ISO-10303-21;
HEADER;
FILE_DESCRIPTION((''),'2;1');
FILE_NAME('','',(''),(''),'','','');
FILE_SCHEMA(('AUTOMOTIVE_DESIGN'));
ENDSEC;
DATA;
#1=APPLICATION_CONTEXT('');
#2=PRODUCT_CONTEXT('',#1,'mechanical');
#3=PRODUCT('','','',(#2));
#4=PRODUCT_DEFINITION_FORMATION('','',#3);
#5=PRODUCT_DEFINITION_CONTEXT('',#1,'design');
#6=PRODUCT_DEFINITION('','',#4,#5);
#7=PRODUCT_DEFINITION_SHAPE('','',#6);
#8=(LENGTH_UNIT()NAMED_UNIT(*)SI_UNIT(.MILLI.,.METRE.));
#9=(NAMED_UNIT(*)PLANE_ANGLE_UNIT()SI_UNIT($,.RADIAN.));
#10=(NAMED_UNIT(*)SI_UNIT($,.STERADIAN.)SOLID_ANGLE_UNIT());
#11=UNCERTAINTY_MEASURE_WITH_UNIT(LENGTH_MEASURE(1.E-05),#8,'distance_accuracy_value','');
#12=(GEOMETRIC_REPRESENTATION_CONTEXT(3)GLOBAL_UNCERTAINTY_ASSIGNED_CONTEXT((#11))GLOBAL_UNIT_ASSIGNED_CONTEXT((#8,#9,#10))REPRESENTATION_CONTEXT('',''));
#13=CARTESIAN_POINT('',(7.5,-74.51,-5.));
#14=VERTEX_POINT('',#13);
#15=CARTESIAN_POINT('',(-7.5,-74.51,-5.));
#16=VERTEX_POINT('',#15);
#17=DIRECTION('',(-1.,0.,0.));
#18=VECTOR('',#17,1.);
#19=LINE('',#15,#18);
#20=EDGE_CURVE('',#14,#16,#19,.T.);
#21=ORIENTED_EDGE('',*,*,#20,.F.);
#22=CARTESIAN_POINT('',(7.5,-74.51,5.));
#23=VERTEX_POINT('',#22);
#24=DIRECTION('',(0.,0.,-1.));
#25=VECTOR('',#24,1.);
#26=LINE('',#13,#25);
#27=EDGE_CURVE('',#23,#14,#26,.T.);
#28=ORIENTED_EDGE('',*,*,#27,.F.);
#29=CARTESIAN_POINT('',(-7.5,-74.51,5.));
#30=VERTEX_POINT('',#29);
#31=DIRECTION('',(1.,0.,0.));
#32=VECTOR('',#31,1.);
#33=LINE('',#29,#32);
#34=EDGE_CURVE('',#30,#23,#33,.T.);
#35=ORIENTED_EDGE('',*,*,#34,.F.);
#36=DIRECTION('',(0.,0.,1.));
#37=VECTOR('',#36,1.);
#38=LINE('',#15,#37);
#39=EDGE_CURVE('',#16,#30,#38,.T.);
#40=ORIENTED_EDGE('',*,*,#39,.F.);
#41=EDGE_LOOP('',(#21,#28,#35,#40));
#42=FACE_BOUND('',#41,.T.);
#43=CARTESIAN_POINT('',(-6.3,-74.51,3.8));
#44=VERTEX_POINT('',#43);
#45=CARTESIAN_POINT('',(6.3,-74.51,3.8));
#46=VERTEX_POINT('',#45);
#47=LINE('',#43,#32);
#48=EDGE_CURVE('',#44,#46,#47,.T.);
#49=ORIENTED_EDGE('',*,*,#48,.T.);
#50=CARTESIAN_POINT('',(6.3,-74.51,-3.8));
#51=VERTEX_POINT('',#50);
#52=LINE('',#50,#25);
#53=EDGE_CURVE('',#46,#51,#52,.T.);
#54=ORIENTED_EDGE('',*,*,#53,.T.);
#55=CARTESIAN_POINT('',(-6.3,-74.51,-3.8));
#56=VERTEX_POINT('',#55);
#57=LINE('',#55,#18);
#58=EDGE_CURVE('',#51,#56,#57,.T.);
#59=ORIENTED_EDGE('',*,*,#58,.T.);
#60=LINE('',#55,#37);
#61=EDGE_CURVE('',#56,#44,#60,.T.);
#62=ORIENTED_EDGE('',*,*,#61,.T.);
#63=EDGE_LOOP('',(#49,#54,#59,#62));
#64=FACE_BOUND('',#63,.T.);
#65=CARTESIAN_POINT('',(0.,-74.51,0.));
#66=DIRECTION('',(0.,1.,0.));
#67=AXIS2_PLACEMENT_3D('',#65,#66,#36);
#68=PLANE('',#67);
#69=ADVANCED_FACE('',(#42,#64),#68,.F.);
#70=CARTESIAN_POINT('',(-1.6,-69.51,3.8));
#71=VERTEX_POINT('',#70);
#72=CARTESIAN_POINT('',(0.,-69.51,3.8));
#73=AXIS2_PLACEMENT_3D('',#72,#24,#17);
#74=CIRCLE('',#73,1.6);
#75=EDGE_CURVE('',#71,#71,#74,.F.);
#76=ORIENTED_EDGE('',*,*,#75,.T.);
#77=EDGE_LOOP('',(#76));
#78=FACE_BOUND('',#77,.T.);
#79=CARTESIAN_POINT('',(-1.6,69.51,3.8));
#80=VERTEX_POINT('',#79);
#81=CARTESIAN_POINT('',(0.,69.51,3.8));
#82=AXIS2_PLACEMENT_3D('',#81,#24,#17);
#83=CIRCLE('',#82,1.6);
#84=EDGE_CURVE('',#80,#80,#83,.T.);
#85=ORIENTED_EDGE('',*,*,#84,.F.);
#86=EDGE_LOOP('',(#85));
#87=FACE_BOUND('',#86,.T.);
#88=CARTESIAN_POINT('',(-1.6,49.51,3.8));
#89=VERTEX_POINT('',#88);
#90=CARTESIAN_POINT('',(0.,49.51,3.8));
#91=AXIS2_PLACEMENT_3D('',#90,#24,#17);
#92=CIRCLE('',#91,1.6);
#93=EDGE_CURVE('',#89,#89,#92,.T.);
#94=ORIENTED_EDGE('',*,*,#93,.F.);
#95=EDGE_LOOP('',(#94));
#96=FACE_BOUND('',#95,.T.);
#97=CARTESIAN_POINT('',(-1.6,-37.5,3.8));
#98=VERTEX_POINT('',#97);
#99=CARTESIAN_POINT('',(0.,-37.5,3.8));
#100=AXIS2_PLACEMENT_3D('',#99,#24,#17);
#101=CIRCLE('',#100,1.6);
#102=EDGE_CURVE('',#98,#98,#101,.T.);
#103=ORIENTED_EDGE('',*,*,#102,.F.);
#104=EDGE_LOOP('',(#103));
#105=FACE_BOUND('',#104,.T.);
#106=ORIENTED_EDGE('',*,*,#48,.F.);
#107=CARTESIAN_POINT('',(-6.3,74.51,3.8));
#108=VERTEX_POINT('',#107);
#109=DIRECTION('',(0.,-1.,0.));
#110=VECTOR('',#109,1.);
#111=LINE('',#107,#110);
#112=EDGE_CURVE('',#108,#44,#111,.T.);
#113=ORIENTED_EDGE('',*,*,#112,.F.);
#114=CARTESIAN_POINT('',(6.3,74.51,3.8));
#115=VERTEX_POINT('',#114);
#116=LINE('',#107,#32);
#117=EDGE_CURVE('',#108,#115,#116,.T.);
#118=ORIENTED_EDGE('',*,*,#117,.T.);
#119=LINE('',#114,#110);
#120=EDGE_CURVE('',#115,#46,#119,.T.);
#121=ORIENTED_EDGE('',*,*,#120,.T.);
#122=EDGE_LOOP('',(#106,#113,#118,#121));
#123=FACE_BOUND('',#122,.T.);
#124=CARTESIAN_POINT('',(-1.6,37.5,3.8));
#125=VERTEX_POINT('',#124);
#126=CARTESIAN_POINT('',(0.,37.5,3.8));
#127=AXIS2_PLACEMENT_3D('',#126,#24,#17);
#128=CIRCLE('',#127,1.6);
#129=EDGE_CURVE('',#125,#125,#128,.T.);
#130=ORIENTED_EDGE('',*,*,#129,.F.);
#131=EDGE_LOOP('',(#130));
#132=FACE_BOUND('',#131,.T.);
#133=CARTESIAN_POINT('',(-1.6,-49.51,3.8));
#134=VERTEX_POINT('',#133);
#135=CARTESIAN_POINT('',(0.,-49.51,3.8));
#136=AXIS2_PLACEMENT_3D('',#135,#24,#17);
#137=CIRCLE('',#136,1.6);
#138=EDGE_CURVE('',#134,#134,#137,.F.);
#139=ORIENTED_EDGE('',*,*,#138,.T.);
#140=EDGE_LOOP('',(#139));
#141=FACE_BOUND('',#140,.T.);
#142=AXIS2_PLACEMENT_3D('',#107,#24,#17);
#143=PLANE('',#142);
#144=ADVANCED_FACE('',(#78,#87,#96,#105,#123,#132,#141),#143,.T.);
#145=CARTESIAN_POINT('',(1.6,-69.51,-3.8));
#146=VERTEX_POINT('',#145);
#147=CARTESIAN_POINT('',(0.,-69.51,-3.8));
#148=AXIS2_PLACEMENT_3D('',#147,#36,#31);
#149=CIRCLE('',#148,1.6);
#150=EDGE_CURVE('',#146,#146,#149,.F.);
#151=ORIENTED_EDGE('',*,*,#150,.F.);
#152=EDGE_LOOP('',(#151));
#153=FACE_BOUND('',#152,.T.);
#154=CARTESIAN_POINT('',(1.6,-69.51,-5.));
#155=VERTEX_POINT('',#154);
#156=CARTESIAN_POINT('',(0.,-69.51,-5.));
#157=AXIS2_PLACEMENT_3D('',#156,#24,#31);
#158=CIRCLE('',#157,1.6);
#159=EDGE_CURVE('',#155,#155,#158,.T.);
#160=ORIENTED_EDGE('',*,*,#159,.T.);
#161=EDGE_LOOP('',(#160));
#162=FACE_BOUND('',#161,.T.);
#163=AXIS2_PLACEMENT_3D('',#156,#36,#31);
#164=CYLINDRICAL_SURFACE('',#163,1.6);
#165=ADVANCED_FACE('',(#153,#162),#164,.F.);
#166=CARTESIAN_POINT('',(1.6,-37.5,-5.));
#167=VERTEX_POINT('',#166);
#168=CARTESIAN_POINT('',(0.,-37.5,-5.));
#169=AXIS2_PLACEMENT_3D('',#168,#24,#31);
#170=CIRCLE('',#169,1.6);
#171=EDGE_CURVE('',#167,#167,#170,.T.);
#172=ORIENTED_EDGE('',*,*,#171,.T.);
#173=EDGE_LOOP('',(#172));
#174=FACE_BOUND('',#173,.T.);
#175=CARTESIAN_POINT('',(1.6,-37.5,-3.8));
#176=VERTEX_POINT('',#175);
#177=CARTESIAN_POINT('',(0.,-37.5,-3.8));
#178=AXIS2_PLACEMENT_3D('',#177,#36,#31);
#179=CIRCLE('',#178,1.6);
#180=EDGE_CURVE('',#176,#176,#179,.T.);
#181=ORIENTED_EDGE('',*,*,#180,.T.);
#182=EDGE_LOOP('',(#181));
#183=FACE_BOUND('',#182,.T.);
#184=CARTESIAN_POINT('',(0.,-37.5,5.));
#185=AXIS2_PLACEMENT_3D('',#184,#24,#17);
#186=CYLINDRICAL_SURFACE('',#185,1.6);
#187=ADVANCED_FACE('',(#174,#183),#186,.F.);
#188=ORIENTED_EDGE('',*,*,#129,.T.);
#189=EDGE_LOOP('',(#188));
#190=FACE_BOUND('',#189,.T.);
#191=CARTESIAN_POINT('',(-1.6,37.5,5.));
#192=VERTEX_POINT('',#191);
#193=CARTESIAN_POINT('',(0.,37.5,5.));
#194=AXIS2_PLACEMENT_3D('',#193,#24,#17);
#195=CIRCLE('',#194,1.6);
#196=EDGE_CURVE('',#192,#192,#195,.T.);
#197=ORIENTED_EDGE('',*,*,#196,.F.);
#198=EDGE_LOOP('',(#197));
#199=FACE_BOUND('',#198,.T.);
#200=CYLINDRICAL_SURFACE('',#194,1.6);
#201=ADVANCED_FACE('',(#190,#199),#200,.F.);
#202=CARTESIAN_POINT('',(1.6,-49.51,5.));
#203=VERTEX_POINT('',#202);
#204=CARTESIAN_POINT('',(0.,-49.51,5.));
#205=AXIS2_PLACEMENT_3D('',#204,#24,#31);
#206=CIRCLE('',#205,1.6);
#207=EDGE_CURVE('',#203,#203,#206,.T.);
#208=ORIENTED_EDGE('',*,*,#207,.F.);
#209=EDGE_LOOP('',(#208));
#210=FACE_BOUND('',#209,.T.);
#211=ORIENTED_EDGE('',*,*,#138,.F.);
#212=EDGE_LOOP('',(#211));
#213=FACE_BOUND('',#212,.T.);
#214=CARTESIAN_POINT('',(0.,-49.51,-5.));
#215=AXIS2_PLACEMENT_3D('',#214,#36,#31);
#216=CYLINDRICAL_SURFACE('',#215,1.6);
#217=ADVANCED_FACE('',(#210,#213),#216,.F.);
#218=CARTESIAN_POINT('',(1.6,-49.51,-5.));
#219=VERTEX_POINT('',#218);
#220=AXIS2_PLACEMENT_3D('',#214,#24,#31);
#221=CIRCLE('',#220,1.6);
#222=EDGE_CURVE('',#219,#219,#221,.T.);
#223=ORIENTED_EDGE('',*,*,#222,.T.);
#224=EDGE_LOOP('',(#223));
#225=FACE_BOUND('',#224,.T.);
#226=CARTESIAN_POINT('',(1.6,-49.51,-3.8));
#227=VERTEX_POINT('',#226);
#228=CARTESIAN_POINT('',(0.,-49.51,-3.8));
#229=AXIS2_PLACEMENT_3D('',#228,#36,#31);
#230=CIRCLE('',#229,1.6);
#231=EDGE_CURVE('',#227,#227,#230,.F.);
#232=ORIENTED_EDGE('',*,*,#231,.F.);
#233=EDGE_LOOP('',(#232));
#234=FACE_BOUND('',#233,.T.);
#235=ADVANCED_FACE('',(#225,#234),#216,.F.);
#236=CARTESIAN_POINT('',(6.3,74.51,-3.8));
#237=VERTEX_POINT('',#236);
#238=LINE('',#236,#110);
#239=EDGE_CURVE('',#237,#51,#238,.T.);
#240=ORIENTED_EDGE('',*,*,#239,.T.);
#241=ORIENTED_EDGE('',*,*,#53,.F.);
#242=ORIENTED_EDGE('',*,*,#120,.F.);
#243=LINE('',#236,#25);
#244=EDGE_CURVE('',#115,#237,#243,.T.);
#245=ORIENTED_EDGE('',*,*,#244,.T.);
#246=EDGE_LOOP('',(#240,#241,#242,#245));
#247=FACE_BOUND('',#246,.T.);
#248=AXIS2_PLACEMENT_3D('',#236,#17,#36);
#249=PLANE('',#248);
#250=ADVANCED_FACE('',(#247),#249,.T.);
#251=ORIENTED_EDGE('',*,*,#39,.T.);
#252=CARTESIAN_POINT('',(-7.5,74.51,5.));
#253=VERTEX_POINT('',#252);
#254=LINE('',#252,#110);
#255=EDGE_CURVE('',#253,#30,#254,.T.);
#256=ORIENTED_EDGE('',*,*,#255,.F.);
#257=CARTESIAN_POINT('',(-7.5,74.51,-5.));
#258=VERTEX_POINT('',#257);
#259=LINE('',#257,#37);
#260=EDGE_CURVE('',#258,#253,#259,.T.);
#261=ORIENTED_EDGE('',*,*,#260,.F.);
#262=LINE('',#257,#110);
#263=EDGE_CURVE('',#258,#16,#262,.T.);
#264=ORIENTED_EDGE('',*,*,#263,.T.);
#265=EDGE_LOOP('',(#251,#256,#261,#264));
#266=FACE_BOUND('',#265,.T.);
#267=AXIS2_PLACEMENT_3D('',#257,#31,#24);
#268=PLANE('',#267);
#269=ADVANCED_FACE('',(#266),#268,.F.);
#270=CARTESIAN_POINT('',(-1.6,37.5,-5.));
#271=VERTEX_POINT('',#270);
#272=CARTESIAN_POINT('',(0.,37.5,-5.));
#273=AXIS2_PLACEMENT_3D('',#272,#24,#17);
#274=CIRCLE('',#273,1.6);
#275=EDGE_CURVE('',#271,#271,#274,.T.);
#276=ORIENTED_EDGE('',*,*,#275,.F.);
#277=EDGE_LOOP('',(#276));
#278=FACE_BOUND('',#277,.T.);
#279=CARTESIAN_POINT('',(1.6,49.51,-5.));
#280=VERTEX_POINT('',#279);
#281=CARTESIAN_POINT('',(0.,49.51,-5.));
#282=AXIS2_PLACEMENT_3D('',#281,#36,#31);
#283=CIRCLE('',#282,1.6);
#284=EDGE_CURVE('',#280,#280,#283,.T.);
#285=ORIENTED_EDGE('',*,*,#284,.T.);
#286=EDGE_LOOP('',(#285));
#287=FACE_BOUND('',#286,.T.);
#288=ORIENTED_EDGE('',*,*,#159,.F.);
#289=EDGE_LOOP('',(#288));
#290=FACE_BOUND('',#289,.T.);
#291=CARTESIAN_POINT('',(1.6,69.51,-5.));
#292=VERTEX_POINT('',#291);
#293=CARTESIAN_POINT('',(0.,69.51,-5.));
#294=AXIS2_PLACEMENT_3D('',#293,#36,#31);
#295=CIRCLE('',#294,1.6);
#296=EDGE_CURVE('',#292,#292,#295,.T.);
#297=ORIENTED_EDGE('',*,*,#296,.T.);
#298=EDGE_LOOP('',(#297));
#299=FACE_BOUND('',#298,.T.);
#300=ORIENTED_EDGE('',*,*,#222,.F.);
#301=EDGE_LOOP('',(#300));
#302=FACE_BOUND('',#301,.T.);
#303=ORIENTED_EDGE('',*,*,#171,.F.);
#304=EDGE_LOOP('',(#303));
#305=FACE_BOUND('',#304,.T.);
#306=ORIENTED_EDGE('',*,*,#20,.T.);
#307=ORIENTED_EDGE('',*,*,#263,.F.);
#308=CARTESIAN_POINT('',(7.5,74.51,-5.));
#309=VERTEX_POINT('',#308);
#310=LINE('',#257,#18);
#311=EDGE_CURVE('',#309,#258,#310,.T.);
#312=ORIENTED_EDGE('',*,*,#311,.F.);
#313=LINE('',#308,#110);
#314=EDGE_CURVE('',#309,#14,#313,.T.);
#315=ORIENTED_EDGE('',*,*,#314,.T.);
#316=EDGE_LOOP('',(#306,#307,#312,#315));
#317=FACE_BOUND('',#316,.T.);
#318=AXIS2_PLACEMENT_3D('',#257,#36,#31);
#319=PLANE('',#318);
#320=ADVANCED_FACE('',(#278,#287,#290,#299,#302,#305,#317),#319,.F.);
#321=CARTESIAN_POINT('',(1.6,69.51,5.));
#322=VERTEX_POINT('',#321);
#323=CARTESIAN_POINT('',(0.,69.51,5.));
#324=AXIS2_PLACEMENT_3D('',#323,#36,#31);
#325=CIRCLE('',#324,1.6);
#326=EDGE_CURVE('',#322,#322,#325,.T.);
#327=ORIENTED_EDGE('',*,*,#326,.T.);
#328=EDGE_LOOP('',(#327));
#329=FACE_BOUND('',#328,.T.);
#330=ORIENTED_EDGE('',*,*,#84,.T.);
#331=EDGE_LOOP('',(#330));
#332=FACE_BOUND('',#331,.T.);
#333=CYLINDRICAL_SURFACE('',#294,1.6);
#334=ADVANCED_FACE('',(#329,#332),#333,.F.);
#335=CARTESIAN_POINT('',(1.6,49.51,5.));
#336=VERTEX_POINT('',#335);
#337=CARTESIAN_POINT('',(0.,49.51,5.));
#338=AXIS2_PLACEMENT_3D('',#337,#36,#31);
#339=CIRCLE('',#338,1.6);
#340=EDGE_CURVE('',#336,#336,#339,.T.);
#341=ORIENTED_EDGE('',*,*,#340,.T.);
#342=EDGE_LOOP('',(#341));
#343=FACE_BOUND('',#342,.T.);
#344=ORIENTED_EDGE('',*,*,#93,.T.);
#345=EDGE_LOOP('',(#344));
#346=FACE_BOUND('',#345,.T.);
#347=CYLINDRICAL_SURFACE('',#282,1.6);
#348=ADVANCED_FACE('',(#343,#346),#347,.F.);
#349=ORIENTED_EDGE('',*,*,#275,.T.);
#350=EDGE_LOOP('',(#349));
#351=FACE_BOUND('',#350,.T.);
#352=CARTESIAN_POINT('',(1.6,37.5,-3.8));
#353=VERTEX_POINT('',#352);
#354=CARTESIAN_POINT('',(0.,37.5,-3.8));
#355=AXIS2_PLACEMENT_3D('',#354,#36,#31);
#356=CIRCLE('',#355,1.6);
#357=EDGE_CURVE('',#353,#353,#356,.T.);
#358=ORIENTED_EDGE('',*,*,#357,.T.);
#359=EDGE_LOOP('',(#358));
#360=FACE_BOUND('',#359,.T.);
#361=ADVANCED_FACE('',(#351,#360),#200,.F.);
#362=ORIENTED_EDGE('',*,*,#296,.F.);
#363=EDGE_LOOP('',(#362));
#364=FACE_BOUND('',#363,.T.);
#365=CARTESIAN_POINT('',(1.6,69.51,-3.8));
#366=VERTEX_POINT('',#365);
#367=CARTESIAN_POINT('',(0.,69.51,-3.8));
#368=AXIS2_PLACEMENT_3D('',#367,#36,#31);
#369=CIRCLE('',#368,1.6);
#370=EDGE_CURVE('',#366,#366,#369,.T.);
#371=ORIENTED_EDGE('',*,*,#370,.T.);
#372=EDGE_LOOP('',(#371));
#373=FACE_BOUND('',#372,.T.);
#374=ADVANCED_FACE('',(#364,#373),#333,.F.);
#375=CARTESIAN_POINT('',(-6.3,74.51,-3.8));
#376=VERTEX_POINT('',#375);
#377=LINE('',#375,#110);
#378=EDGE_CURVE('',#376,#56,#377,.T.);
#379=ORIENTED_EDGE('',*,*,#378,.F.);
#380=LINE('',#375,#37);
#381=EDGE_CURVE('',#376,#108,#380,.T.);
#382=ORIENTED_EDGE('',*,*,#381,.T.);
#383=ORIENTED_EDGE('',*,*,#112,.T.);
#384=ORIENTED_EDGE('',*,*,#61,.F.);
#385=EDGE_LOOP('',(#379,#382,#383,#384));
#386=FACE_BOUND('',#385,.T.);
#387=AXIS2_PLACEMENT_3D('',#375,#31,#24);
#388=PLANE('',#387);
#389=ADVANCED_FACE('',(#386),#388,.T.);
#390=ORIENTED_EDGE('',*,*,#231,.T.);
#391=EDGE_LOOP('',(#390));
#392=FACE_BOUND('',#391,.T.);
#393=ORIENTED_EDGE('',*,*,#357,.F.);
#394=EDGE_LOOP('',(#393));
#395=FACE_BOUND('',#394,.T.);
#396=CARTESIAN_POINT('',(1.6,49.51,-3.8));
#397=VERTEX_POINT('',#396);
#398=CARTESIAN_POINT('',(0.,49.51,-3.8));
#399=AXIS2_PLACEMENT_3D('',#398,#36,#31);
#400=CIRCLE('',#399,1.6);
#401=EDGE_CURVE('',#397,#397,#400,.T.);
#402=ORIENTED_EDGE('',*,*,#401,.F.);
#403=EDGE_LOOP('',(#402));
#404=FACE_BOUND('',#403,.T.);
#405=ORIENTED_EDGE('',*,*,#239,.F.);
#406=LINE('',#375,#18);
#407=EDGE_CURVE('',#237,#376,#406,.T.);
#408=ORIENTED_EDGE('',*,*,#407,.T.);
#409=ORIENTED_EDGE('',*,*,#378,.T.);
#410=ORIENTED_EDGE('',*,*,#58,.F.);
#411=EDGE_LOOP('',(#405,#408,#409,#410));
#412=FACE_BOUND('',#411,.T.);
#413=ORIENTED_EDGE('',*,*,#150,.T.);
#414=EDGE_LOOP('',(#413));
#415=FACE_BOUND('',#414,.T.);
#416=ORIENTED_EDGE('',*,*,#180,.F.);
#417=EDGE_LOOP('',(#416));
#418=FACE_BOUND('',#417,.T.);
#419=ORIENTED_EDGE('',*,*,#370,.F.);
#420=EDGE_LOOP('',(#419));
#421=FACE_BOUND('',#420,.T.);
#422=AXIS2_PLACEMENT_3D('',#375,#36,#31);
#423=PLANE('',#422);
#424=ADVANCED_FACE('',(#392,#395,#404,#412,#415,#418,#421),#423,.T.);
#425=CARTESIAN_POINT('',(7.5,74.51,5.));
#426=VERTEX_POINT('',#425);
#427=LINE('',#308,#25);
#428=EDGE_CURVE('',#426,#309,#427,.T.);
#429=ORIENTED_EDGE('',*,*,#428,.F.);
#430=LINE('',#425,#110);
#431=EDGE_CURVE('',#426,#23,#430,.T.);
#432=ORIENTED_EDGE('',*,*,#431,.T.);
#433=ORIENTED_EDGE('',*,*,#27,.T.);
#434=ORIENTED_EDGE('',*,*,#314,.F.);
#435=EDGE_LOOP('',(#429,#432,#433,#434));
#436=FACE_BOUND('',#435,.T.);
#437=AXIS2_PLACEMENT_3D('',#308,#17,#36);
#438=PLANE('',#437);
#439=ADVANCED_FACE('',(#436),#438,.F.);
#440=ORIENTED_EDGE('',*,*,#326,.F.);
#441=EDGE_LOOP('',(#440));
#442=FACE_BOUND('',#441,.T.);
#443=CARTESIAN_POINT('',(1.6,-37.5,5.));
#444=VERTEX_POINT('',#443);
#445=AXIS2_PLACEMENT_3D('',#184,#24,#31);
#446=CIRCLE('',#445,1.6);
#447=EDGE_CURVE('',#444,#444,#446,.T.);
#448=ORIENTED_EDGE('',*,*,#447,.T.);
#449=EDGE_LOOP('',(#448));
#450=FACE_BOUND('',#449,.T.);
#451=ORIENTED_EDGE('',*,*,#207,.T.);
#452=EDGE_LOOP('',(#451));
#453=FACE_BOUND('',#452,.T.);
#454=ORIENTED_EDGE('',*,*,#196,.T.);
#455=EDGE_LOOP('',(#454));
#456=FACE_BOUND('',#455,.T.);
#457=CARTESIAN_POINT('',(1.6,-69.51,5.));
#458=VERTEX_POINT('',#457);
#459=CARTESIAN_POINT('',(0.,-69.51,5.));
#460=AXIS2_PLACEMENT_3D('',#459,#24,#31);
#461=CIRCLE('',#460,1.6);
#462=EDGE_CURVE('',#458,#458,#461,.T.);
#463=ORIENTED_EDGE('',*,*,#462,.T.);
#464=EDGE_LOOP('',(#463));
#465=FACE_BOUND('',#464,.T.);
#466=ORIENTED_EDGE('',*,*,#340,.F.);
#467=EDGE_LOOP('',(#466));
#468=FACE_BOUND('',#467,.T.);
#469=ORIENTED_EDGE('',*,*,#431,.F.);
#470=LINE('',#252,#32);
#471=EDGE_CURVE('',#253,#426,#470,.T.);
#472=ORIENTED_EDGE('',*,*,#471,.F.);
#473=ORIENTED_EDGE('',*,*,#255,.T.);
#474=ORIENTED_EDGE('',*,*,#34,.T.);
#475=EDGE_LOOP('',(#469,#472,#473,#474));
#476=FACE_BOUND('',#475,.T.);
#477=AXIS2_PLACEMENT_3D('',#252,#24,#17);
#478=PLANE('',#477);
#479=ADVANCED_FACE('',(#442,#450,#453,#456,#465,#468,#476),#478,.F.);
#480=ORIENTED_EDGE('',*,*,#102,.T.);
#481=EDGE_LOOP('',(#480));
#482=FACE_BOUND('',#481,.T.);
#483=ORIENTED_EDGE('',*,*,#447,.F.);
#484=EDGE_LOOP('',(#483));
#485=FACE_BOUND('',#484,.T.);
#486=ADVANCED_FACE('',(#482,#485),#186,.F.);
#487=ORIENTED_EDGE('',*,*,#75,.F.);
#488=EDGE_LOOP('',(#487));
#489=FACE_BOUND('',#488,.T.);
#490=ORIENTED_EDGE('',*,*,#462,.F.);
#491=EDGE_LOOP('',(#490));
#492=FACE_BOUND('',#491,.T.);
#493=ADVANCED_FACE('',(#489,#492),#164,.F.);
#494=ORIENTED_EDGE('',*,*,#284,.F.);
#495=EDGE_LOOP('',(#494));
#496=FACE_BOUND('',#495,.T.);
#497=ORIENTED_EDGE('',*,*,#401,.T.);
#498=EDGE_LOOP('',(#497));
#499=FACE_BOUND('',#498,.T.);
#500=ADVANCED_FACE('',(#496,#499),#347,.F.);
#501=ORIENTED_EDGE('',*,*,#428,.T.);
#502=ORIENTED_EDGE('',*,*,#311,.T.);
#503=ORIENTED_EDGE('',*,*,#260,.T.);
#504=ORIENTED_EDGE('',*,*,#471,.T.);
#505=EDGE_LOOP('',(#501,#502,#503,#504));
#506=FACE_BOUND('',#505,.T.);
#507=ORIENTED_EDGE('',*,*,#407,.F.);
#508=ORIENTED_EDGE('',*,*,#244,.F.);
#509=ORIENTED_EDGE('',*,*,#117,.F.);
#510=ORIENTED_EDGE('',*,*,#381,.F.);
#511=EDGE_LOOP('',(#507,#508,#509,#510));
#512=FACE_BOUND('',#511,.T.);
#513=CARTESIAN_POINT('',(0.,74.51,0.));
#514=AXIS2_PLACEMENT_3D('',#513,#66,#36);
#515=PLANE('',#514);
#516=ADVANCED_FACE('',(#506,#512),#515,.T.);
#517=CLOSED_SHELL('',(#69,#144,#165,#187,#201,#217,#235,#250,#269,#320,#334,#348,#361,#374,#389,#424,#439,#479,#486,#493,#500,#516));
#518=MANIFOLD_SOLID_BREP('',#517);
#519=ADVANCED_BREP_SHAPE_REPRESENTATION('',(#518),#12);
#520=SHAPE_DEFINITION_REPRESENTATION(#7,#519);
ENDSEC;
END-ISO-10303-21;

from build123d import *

# Parameters (mm, degrees)
SKETCH_1_W          = 15
SKETCH_1_H          = 10
SKETCH_1_W_2        = 12.6
SKETCH_1_H_2        = 7.6
EXTRUDE_1_DEPTH     = 74.51
SKETCH_3_R          = 1.6
CUT_EXTRUDE_1_DEPTH = 10
SKETCH_4_R          = 1.6
CUT_EXTRUDE_2_DEPTH = 10


with BuildPart() as part:
    # ｽｹｯﾁ1 → ﾎﾞｽ - 押し出し1 (new, symmetric)
    with BuildSketch(Plane(origin=(0, 0, 0), x_dir=(1, 0, 0), z_dir=(0, 1, 0))):
        Rectangle(SKETCH_1_W, SKETCH_1_H)
        Rectangle(SKETCH_1_W_2, SKETCH_1_H_2, mode=Mode.SUBTRACT)
    extrude(amount=EXTRUDE_1_DEPTH, both=True)

    # ｽｹｯﾁ3 → ｶｯﾄ - 押し出し1 (cut)
    with BuildSketch(Plane.XY.offset(5)):
        with Locations((0, 49.51)):
            Circle(SKETCH_3_R)
        with Locations((0, 69.51)):
            Circle(SKETCH_3_R)
    cut_extrude_1 = extrude(amount=-CUT_EXTRUDE_1_DEPTH, mode=Mode.SUBTRACT)

    # ﾐﾗｰ1: ｶｯﾄ - 押し出し1 across plane
    add(cut_extrude_1.mirror(Plane.ZX), mode=Mode.SUBTRACT)

    # ｽｹｯﾁ4 → ｶｯﾄ - 押し出し2 (cut)
    with BuildSketch(Plane(origin=(0, 0, -5), x_dir=(-1, 0, 0), z_dir=(0, 0, -1))):
        with Locations((0, 37.5)):
            Circle(SKETCH_4_R)
        with Locations(Location((0, -37.5, 0), (0, 0, 180))):
            Circle(SKETCH_4_R)
    extrude(amount=-CUT_EXTRUDE_2_DEPTH, mode=Mode.SUBTRACT)


solid = part.part
